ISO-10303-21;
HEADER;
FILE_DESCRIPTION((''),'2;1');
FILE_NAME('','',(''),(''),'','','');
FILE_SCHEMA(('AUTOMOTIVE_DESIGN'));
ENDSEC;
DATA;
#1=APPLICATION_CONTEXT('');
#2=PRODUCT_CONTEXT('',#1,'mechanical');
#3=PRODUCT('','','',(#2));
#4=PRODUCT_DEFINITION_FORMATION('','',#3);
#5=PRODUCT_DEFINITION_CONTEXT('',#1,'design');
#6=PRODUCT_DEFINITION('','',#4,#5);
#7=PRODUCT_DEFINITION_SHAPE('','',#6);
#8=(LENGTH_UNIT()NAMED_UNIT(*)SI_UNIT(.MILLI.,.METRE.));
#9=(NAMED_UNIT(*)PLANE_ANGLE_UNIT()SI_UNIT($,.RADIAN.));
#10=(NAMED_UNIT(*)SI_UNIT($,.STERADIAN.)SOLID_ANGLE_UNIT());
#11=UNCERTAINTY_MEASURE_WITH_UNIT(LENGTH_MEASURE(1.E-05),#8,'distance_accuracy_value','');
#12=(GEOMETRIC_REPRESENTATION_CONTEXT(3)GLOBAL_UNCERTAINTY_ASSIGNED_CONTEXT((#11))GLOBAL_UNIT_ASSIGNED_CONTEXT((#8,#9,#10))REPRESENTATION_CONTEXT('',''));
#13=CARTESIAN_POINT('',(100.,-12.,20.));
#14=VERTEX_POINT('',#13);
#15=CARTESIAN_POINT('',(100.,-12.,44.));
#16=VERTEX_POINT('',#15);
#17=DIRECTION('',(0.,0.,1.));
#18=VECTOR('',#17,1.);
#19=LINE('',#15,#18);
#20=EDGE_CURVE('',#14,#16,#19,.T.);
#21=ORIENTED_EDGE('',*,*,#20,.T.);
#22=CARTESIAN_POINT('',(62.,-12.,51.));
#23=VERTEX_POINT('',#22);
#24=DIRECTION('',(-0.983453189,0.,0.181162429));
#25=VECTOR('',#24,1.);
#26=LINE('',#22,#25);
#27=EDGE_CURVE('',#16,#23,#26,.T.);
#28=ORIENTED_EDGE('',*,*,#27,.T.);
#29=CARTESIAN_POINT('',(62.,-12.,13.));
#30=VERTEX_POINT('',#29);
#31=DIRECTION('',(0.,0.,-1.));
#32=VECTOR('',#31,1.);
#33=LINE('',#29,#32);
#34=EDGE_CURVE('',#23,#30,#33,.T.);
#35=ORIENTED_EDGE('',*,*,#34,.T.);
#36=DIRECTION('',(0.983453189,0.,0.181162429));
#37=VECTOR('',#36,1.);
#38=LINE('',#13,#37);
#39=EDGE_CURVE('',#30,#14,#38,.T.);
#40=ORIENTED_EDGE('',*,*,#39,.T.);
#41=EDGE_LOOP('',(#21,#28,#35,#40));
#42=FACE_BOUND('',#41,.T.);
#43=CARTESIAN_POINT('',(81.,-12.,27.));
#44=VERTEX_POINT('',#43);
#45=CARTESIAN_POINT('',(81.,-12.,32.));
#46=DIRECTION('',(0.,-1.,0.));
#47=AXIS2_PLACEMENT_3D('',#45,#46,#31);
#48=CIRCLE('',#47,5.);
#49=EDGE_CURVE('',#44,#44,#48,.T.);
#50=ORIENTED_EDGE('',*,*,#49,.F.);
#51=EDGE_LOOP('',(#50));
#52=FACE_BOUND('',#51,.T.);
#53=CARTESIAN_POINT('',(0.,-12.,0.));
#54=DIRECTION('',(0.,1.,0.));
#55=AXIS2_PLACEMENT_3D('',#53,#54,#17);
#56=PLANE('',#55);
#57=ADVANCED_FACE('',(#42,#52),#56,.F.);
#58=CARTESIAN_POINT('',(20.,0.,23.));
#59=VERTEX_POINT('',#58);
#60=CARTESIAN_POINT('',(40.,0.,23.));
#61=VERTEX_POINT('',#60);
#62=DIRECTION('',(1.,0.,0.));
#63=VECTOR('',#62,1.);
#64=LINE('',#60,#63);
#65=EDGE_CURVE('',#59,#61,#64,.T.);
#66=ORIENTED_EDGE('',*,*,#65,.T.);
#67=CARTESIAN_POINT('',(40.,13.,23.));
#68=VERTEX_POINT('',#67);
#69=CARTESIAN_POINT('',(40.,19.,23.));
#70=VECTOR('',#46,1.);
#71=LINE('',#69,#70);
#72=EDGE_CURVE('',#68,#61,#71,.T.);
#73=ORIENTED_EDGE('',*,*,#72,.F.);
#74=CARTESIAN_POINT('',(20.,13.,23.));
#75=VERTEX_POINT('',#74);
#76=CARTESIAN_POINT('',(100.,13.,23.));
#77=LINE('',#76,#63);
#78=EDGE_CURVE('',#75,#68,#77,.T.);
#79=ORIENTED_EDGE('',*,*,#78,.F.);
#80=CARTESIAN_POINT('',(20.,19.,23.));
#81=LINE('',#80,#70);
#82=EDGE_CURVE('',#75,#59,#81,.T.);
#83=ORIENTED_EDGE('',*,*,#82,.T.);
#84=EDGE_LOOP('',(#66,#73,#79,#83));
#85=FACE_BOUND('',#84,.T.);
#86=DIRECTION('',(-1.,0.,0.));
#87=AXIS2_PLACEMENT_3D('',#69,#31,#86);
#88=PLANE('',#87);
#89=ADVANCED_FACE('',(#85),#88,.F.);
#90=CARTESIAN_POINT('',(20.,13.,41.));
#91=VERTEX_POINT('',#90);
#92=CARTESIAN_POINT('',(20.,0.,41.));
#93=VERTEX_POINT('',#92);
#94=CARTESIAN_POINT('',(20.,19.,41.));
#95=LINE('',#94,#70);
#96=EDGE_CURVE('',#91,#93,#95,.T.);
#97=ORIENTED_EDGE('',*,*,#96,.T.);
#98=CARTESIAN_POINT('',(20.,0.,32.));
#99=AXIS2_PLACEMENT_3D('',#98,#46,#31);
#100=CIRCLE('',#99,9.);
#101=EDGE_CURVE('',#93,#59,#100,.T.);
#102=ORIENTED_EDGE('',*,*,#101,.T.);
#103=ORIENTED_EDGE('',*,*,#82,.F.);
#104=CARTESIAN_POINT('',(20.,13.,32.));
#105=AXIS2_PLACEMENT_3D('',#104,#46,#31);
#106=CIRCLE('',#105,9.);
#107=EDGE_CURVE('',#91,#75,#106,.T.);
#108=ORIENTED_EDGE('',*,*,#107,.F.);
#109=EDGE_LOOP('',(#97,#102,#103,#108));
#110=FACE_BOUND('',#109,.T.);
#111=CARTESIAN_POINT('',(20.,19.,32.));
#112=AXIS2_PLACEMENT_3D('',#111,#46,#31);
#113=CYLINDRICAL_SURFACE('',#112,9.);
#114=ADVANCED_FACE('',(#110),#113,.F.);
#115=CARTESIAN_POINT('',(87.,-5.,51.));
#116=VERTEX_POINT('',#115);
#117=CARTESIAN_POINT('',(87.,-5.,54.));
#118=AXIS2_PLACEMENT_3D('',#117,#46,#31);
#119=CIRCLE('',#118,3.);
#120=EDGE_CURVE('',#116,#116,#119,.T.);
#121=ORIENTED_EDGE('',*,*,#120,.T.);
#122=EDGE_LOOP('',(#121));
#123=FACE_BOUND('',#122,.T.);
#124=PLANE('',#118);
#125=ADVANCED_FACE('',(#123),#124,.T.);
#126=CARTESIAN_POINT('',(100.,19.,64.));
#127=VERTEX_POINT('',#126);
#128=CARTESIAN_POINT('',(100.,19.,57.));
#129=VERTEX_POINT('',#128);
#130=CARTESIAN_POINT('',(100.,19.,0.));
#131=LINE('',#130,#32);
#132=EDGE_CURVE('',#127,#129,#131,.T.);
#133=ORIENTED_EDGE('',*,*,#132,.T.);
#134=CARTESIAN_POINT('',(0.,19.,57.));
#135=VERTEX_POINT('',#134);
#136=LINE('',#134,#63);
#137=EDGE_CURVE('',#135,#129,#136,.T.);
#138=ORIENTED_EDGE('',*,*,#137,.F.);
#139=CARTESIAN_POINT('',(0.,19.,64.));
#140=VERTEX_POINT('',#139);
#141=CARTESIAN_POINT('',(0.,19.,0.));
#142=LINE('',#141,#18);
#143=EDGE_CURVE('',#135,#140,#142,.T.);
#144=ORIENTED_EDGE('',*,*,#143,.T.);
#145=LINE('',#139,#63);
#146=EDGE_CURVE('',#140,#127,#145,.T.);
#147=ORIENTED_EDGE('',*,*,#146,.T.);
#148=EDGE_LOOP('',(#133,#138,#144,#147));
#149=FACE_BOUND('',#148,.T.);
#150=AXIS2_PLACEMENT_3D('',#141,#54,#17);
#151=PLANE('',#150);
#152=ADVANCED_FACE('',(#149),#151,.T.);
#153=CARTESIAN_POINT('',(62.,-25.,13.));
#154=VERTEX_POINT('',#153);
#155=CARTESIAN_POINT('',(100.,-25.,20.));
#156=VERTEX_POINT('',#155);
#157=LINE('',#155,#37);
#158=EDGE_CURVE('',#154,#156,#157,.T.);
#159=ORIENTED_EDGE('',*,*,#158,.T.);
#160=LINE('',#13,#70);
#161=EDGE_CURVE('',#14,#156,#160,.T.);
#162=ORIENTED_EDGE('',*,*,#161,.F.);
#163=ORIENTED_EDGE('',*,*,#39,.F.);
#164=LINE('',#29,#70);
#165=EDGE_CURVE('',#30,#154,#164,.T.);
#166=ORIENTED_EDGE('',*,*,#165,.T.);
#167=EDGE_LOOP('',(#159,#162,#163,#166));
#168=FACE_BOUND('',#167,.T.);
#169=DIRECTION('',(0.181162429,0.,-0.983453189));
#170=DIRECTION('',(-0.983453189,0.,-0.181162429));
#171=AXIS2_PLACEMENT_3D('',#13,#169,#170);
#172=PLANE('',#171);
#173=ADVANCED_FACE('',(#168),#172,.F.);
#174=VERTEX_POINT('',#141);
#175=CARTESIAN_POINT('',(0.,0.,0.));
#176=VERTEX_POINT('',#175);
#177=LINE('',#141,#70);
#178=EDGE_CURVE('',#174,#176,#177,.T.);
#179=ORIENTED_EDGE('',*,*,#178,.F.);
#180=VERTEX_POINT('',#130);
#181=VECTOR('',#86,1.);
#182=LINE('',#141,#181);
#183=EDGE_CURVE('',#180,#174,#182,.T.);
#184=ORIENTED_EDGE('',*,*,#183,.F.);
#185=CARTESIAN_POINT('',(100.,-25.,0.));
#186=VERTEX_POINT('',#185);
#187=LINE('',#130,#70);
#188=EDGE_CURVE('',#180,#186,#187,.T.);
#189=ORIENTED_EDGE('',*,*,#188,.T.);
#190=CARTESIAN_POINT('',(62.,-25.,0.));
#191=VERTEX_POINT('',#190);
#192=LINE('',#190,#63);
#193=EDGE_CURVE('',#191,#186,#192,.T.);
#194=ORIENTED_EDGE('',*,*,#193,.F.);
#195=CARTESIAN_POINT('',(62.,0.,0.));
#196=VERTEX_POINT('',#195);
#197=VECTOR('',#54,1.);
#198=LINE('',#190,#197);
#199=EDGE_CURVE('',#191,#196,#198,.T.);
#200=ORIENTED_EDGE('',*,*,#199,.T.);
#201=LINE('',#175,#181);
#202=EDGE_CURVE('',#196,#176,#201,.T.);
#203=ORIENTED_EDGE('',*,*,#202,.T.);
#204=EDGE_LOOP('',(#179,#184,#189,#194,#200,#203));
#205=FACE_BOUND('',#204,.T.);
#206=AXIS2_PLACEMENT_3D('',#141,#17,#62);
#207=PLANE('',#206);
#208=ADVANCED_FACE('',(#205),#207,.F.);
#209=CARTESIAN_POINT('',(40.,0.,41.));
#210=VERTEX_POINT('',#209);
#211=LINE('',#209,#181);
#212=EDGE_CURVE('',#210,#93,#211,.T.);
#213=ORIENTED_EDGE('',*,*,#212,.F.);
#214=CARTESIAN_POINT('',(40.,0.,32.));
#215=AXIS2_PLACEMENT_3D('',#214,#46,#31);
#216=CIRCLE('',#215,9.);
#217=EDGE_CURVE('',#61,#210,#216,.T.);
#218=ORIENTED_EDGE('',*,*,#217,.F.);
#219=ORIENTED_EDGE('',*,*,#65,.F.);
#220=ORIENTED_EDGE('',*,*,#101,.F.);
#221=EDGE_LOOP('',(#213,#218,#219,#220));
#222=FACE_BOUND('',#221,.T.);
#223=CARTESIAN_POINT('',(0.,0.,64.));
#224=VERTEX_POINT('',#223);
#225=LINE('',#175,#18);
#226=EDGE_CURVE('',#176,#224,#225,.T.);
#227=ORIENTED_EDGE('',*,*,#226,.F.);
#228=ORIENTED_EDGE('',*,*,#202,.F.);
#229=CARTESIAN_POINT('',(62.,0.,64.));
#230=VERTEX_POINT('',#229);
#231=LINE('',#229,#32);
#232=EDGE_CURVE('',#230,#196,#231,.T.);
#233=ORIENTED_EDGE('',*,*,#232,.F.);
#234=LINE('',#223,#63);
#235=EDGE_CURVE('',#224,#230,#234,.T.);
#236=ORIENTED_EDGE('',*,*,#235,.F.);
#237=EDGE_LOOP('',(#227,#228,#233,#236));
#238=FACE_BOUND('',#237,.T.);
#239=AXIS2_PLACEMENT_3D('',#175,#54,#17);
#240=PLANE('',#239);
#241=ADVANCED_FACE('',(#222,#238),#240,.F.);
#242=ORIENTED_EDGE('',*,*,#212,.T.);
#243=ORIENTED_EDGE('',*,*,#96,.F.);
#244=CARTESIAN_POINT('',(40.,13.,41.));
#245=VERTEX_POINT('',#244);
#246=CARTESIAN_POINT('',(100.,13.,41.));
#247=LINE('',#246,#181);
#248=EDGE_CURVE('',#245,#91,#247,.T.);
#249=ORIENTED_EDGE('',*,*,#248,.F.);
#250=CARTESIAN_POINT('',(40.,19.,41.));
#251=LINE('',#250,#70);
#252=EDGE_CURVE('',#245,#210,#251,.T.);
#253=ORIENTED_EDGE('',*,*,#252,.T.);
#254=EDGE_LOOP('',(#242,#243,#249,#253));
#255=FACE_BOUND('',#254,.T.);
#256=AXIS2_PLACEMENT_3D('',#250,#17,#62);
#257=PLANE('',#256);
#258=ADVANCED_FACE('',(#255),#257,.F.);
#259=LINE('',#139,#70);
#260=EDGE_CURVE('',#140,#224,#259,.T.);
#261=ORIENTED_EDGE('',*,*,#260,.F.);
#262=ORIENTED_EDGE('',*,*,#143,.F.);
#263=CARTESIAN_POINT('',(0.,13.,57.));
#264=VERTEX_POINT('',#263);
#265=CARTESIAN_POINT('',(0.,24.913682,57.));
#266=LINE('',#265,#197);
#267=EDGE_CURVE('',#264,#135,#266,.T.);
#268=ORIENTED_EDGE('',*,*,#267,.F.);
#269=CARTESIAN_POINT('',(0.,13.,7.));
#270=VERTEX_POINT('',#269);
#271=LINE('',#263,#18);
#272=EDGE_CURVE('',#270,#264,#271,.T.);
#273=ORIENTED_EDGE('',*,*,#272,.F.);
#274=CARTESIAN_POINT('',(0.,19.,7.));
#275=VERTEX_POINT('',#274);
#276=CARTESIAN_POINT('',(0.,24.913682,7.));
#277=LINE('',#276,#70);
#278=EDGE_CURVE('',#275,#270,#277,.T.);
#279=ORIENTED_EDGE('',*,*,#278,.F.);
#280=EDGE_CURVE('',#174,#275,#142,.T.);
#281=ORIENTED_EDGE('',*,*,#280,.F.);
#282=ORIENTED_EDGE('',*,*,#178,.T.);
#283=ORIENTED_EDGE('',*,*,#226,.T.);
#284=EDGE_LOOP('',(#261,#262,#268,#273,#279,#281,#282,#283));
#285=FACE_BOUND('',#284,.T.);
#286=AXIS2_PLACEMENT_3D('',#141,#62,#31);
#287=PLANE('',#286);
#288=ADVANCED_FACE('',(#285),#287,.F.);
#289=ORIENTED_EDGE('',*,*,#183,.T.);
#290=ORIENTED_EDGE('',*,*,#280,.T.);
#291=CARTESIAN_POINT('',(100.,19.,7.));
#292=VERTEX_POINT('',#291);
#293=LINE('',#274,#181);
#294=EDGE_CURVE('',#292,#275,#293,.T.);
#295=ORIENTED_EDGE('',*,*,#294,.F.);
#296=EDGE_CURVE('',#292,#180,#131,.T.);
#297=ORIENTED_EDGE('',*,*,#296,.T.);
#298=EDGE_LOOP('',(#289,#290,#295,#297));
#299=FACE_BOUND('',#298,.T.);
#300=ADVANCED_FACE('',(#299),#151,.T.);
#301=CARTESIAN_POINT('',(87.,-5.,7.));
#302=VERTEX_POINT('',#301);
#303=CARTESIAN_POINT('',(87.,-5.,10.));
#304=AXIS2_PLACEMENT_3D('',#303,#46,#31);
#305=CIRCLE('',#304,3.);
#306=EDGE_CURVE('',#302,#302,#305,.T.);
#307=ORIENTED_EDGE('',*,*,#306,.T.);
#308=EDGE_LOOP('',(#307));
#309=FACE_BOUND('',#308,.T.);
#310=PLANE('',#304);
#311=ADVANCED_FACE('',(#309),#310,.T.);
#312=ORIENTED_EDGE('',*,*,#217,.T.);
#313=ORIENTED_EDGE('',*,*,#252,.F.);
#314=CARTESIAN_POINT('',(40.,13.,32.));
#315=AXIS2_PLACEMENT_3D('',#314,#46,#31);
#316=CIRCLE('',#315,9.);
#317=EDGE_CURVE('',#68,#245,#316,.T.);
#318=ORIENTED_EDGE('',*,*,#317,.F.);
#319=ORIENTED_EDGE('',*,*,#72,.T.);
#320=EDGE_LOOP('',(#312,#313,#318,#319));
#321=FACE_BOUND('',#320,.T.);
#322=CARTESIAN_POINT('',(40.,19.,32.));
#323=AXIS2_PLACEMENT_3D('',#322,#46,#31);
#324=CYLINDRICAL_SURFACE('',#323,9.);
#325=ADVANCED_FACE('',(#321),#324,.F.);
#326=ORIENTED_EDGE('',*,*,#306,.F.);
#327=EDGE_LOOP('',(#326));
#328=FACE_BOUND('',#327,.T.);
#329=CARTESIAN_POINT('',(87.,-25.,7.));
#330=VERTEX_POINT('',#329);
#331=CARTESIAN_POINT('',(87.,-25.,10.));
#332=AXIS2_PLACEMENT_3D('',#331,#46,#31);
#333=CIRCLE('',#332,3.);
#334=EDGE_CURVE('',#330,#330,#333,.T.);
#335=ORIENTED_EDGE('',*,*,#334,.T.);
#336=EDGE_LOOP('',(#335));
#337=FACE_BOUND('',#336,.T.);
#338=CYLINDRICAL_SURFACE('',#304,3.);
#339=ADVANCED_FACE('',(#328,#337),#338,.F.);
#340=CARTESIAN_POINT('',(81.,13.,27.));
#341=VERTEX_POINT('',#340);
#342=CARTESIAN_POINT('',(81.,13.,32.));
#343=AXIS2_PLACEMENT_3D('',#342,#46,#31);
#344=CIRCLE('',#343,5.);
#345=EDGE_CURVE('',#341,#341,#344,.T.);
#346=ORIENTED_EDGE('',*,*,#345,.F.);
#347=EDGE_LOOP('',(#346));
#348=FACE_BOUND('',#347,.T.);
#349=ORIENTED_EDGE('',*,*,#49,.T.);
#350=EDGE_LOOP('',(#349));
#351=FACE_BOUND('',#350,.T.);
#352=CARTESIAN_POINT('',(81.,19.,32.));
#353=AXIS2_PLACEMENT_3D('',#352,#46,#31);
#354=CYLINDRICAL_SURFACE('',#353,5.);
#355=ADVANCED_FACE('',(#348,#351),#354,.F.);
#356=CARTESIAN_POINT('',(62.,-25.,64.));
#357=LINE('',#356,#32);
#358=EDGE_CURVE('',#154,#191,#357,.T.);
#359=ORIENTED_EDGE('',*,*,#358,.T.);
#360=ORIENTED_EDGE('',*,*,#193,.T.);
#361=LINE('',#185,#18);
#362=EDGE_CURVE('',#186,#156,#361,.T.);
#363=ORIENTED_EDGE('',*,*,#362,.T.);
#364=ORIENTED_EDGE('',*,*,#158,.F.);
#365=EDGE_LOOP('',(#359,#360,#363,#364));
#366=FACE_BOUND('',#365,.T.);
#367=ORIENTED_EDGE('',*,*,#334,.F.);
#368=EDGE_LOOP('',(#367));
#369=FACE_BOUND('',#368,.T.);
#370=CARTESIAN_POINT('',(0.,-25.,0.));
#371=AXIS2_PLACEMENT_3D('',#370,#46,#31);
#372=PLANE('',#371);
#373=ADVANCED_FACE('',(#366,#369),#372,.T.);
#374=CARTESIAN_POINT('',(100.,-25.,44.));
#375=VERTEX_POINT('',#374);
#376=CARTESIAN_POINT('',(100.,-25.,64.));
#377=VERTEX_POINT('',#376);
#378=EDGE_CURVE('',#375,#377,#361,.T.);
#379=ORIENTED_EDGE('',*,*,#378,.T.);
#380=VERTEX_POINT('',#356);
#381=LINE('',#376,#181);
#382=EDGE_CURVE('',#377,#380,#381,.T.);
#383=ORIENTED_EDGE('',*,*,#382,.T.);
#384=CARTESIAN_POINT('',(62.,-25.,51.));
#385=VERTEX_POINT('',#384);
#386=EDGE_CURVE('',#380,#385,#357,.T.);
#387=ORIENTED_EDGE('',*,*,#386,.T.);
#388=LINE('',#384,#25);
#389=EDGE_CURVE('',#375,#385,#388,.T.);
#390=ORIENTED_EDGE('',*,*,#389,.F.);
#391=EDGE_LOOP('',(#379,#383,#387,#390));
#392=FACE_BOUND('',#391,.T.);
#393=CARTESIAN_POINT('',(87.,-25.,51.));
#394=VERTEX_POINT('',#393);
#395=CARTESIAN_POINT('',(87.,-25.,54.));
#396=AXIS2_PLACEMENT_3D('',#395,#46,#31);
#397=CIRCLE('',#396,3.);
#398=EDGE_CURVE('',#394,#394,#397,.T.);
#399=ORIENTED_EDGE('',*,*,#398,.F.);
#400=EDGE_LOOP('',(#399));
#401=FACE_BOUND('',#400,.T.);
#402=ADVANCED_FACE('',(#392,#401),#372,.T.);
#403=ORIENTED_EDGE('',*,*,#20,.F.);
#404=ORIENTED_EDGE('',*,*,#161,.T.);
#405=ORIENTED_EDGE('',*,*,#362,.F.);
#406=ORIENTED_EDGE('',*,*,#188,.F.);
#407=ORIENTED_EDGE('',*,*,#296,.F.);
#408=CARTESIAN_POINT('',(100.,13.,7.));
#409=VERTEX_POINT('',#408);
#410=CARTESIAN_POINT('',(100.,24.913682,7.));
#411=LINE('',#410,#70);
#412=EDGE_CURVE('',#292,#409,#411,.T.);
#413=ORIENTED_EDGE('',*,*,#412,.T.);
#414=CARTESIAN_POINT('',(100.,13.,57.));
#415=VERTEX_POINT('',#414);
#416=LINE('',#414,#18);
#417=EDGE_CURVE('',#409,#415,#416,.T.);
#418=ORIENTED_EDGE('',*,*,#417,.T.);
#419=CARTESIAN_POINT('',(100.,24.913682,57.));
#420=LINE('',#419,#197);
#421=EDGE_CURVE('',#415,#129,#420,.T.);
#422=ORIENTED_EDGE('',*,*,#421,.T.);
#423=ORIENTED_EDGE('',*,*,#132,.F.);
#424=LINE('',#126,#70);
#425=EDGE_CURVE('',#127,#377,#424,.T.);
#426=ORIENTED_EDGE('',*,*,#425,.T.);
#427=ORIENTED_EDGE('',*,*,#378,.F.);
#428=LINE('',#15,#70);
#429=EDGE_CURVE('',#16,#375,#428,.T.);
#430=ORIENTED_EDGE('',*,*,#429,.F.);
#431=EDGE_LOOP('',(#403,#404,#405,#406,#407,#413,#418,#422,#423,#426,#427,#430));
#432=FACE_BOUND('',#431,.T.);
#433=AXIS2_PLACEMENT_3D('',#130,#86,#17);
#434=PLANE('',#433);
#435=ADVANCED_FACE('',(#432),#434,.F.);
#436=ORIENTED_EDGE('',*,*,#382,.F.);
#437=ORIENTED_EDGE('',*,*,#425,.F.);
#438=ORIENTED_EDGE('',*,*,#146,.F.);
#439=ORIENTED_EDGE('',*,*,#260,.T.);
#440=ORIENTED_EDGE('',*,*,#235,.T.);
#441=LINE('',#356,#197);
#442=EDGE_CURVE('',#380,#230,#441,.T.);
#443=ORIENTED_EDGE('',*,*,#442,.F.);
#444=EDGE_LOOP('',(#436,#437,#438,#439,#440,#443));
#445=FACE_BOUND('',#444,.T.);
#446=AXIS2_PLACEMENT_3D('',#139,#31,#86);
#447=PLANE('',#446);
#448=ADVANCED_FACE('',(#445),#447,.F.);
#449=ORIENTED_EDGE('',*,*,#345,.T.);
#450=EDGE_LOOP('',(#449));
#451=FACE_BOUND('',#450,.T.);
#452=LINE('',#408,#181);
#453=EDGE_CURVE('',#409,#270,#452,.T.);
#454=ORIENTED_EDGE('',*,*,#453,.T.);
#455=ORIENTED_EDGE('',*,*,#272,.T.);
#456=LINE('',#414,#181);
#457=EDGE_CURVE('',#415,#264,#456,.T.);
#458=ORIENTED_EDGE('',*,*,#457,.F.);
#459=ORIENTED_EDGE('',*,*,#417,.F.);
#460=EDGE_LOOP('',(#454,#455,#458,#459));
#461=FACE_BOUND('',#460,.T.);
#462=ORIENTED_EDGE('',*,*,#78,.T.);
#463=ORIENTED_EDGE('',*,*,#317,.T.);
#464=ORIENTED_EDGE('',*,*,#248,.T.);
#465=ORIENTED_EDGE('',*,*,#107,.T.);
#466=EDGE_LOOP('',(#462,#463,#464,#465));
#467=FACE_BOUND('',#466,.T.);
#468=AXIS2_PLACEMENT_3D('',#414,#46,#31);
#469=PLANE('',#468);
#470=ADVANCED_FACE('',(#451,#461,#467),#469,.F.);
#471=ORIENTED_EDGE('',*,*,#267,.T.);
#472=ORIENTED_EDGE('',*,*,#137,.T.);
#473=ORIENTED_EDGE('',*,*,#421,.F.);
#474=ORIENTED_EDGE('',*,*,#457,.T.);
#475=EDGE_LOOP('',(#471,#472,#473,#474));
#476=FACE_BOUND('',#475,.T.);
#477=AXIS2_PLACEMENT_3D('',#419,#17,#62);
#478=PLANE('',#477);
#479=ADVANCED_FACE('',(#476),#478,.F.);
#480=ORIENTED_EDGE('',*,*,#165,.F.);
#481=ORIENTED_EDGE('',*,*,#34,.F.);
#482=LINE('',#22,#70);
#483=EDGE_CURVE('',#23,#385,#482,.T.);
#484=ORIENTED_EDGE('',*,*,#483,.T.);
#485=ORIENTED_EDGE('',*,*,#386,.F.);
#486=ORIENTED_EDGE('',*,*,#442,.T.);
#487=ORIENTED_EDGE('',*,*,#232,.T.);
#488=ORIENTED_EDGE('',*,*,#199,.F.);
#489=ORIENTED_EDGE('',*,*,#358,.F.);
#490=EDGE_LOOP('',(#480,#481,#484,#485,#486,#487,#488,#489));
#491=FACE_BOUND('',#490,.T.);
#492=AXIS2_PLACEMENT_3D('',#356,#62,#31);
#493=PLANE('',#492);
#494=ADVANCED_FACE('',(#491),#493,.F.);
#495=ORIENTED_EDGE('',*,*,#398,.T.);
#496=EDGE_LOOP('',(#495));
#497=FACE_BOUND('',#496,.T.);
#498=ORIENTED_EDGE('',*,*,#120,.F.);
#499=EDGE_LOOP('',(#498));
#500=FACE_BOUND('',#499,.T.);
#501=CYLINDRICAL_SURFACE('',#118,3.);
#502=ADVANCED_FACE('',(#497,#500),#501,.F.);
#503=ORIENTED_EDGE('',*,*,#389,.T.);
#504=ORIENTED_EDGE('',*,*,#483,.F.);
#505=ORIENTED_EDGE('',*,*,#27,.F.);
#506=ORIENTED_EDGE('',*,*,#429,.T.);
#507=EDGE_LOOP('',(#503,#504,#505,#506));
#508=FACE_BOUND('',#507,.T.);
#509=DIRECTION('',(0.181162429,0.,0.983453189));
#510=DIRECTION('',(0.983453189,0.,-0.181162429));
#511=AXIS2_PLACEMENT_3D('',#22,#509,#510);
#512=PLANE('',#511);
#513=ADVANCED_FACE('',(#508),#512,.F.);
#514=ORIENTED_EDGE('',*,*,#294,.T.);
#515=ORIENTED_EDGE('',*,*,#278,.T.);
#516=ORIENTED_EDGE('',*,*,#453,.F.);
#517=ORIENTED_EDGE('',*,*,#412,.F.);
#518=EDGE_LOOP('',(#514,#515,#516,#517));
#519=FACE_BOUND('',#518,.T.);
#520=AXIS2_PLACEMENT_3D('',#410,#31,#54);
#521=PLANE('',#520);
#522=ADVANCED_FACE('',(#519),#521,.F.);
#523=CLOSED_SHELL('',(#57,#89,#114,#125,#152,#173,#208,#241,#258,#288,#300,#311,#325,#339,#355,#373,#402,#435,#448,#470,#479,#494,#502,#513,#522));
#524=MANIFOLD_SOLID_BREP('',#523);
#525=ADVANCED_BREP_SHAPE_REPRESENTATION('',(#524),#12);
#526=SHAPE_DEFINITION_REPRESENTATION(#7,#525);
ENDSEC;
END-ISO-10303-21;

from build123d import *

# Parameters (mm, degrees)
CROQUIS1_W              = 100
CROQUIS1_H              = 64
SALIENTE_EXTRUIR1_DEPTH = 19
CROQUIS2_W              = 50
CROQUIS2_H              = 11.913682473
CORTAR_EXTRUIR1_DEPTH   = 121.237265438
CROQUIS3_W              = 38
CROQUIS3_H              = 64
SALIENTE_EXTRUIR2_DEPTH = 25
CORTAR_EXTRUIR3_DEPTH   = 13
CROQUIS5_R              = 5
CORTAR_EXTRUIR4_DEPTH   = 123.706968017
CROQUIS6_R              = 3
CORTAR_EXTRUIR5_DEPTH   = 20
CORTAR_EXTRUIR6_DEPTH   = 122.330128163


with BuildPart() as part:
    # Croquis1 → Saliente-Extruir1 (new body)
    with BuildSketch(Plane(origin=(0, 0, 0), x_dir=(1, 0, 0), z_dir=(0, 1, 0))):
        with Locations((50, -32)):
            Rectangle(CROQUIS1_W, CROQUIS1_H)
    extrude(amount=SALIENTE_EXTRUIR1_DEPTH)

    # Croquis2 → Cortar-Extruir1 (cut, through all)
    with BuildSketch(Plane.ZY):
        with Locations((32, 18.956841237)):
            Rectangle(CROQUIS2_W, CROQUIS2_H)
    extrude(amount=-CORTAR_EXTRUIR1_DEPTH, mode=Mode.SUBTRACT)

    # Croquis3 → Saliente-Extruir2 (add)
    with BuildSketch(Plane(origin=(0, 0, 0), x_dir=(-1, 0, 0), z_dir=(0, -1, 0))):
        with Locations((-81, -32)):
            Rectangle(CROQUIS3_W, CROQUIS3_H)
    extrude(amount=SALIENTE_EXTRUIR2_DEPTH)

    # Croquis4 → Cortar-Extruir3 (cut)
    with BuildSketch(Plane.XZ.offset(25)):
        Polygon((100, 44), (100, 20), (62, 13), (62, 51), align=None)
    extrude(amount=-CORTAR_EXTRUIR3_DEPTH, mode=Mode.SUBTRACT)

    # Croquis5 → Cortar-Extruir4 (cut, through all)
    with BuildSketch(Plane(origin=(0, -12, 0), x_dir=(-1, 0, 0), z_dir=(0, -1, 0))):
        with Locations(Location((-81, -32, 0), (0, 0, 90))):
            Circle(CROQUIS5_R)
    extrude(amount=-CORTAR_EXTRUIR4_DEPTH, mode=Mode.SUBTRACT)

    # Croquis6 → Cortar-Extruir5 (cut)
    with BuildSketch(Plane(origin=(0, -25, 0), x_dir=(-1, 0, 0), z_dir=(0, -1, 0))):
        with Locations(Location((-87, -10, 0), (0, 0, 90))):
            Circle(CROQUIS6_R)
        with Locations(Location((-87, -54, 0), (0, 0, 90))):
            Circle(CROQUIS6_R)
    extrude(amount=-CORTAR_EXTRUIR5_DEPTH, mode=Mode.SUBTRACT)

    # Croquis7 → Cortar-Extruir6 (cut, through all)
    with BuildSketch(Plane(origin=(0, 0, 0), x_dir=(-1, 0, 0), z_dir=(0, -1, 0))):
        with BuildLine():
            Line((-40, -23), (-20, -23))
            ThreePointArc((-20, -23), (-11, -32), (-20, -41))
            Line((-20, -41), (-40, -41))
            ThreePointArc((-40, -41), (-49, -32), (-40, -23))
        make_face()
    extrude(amount=-CORTAR_EXTRUIR6_DEPTH, mode=Mode.SUBTRACT)


solid = part.part
